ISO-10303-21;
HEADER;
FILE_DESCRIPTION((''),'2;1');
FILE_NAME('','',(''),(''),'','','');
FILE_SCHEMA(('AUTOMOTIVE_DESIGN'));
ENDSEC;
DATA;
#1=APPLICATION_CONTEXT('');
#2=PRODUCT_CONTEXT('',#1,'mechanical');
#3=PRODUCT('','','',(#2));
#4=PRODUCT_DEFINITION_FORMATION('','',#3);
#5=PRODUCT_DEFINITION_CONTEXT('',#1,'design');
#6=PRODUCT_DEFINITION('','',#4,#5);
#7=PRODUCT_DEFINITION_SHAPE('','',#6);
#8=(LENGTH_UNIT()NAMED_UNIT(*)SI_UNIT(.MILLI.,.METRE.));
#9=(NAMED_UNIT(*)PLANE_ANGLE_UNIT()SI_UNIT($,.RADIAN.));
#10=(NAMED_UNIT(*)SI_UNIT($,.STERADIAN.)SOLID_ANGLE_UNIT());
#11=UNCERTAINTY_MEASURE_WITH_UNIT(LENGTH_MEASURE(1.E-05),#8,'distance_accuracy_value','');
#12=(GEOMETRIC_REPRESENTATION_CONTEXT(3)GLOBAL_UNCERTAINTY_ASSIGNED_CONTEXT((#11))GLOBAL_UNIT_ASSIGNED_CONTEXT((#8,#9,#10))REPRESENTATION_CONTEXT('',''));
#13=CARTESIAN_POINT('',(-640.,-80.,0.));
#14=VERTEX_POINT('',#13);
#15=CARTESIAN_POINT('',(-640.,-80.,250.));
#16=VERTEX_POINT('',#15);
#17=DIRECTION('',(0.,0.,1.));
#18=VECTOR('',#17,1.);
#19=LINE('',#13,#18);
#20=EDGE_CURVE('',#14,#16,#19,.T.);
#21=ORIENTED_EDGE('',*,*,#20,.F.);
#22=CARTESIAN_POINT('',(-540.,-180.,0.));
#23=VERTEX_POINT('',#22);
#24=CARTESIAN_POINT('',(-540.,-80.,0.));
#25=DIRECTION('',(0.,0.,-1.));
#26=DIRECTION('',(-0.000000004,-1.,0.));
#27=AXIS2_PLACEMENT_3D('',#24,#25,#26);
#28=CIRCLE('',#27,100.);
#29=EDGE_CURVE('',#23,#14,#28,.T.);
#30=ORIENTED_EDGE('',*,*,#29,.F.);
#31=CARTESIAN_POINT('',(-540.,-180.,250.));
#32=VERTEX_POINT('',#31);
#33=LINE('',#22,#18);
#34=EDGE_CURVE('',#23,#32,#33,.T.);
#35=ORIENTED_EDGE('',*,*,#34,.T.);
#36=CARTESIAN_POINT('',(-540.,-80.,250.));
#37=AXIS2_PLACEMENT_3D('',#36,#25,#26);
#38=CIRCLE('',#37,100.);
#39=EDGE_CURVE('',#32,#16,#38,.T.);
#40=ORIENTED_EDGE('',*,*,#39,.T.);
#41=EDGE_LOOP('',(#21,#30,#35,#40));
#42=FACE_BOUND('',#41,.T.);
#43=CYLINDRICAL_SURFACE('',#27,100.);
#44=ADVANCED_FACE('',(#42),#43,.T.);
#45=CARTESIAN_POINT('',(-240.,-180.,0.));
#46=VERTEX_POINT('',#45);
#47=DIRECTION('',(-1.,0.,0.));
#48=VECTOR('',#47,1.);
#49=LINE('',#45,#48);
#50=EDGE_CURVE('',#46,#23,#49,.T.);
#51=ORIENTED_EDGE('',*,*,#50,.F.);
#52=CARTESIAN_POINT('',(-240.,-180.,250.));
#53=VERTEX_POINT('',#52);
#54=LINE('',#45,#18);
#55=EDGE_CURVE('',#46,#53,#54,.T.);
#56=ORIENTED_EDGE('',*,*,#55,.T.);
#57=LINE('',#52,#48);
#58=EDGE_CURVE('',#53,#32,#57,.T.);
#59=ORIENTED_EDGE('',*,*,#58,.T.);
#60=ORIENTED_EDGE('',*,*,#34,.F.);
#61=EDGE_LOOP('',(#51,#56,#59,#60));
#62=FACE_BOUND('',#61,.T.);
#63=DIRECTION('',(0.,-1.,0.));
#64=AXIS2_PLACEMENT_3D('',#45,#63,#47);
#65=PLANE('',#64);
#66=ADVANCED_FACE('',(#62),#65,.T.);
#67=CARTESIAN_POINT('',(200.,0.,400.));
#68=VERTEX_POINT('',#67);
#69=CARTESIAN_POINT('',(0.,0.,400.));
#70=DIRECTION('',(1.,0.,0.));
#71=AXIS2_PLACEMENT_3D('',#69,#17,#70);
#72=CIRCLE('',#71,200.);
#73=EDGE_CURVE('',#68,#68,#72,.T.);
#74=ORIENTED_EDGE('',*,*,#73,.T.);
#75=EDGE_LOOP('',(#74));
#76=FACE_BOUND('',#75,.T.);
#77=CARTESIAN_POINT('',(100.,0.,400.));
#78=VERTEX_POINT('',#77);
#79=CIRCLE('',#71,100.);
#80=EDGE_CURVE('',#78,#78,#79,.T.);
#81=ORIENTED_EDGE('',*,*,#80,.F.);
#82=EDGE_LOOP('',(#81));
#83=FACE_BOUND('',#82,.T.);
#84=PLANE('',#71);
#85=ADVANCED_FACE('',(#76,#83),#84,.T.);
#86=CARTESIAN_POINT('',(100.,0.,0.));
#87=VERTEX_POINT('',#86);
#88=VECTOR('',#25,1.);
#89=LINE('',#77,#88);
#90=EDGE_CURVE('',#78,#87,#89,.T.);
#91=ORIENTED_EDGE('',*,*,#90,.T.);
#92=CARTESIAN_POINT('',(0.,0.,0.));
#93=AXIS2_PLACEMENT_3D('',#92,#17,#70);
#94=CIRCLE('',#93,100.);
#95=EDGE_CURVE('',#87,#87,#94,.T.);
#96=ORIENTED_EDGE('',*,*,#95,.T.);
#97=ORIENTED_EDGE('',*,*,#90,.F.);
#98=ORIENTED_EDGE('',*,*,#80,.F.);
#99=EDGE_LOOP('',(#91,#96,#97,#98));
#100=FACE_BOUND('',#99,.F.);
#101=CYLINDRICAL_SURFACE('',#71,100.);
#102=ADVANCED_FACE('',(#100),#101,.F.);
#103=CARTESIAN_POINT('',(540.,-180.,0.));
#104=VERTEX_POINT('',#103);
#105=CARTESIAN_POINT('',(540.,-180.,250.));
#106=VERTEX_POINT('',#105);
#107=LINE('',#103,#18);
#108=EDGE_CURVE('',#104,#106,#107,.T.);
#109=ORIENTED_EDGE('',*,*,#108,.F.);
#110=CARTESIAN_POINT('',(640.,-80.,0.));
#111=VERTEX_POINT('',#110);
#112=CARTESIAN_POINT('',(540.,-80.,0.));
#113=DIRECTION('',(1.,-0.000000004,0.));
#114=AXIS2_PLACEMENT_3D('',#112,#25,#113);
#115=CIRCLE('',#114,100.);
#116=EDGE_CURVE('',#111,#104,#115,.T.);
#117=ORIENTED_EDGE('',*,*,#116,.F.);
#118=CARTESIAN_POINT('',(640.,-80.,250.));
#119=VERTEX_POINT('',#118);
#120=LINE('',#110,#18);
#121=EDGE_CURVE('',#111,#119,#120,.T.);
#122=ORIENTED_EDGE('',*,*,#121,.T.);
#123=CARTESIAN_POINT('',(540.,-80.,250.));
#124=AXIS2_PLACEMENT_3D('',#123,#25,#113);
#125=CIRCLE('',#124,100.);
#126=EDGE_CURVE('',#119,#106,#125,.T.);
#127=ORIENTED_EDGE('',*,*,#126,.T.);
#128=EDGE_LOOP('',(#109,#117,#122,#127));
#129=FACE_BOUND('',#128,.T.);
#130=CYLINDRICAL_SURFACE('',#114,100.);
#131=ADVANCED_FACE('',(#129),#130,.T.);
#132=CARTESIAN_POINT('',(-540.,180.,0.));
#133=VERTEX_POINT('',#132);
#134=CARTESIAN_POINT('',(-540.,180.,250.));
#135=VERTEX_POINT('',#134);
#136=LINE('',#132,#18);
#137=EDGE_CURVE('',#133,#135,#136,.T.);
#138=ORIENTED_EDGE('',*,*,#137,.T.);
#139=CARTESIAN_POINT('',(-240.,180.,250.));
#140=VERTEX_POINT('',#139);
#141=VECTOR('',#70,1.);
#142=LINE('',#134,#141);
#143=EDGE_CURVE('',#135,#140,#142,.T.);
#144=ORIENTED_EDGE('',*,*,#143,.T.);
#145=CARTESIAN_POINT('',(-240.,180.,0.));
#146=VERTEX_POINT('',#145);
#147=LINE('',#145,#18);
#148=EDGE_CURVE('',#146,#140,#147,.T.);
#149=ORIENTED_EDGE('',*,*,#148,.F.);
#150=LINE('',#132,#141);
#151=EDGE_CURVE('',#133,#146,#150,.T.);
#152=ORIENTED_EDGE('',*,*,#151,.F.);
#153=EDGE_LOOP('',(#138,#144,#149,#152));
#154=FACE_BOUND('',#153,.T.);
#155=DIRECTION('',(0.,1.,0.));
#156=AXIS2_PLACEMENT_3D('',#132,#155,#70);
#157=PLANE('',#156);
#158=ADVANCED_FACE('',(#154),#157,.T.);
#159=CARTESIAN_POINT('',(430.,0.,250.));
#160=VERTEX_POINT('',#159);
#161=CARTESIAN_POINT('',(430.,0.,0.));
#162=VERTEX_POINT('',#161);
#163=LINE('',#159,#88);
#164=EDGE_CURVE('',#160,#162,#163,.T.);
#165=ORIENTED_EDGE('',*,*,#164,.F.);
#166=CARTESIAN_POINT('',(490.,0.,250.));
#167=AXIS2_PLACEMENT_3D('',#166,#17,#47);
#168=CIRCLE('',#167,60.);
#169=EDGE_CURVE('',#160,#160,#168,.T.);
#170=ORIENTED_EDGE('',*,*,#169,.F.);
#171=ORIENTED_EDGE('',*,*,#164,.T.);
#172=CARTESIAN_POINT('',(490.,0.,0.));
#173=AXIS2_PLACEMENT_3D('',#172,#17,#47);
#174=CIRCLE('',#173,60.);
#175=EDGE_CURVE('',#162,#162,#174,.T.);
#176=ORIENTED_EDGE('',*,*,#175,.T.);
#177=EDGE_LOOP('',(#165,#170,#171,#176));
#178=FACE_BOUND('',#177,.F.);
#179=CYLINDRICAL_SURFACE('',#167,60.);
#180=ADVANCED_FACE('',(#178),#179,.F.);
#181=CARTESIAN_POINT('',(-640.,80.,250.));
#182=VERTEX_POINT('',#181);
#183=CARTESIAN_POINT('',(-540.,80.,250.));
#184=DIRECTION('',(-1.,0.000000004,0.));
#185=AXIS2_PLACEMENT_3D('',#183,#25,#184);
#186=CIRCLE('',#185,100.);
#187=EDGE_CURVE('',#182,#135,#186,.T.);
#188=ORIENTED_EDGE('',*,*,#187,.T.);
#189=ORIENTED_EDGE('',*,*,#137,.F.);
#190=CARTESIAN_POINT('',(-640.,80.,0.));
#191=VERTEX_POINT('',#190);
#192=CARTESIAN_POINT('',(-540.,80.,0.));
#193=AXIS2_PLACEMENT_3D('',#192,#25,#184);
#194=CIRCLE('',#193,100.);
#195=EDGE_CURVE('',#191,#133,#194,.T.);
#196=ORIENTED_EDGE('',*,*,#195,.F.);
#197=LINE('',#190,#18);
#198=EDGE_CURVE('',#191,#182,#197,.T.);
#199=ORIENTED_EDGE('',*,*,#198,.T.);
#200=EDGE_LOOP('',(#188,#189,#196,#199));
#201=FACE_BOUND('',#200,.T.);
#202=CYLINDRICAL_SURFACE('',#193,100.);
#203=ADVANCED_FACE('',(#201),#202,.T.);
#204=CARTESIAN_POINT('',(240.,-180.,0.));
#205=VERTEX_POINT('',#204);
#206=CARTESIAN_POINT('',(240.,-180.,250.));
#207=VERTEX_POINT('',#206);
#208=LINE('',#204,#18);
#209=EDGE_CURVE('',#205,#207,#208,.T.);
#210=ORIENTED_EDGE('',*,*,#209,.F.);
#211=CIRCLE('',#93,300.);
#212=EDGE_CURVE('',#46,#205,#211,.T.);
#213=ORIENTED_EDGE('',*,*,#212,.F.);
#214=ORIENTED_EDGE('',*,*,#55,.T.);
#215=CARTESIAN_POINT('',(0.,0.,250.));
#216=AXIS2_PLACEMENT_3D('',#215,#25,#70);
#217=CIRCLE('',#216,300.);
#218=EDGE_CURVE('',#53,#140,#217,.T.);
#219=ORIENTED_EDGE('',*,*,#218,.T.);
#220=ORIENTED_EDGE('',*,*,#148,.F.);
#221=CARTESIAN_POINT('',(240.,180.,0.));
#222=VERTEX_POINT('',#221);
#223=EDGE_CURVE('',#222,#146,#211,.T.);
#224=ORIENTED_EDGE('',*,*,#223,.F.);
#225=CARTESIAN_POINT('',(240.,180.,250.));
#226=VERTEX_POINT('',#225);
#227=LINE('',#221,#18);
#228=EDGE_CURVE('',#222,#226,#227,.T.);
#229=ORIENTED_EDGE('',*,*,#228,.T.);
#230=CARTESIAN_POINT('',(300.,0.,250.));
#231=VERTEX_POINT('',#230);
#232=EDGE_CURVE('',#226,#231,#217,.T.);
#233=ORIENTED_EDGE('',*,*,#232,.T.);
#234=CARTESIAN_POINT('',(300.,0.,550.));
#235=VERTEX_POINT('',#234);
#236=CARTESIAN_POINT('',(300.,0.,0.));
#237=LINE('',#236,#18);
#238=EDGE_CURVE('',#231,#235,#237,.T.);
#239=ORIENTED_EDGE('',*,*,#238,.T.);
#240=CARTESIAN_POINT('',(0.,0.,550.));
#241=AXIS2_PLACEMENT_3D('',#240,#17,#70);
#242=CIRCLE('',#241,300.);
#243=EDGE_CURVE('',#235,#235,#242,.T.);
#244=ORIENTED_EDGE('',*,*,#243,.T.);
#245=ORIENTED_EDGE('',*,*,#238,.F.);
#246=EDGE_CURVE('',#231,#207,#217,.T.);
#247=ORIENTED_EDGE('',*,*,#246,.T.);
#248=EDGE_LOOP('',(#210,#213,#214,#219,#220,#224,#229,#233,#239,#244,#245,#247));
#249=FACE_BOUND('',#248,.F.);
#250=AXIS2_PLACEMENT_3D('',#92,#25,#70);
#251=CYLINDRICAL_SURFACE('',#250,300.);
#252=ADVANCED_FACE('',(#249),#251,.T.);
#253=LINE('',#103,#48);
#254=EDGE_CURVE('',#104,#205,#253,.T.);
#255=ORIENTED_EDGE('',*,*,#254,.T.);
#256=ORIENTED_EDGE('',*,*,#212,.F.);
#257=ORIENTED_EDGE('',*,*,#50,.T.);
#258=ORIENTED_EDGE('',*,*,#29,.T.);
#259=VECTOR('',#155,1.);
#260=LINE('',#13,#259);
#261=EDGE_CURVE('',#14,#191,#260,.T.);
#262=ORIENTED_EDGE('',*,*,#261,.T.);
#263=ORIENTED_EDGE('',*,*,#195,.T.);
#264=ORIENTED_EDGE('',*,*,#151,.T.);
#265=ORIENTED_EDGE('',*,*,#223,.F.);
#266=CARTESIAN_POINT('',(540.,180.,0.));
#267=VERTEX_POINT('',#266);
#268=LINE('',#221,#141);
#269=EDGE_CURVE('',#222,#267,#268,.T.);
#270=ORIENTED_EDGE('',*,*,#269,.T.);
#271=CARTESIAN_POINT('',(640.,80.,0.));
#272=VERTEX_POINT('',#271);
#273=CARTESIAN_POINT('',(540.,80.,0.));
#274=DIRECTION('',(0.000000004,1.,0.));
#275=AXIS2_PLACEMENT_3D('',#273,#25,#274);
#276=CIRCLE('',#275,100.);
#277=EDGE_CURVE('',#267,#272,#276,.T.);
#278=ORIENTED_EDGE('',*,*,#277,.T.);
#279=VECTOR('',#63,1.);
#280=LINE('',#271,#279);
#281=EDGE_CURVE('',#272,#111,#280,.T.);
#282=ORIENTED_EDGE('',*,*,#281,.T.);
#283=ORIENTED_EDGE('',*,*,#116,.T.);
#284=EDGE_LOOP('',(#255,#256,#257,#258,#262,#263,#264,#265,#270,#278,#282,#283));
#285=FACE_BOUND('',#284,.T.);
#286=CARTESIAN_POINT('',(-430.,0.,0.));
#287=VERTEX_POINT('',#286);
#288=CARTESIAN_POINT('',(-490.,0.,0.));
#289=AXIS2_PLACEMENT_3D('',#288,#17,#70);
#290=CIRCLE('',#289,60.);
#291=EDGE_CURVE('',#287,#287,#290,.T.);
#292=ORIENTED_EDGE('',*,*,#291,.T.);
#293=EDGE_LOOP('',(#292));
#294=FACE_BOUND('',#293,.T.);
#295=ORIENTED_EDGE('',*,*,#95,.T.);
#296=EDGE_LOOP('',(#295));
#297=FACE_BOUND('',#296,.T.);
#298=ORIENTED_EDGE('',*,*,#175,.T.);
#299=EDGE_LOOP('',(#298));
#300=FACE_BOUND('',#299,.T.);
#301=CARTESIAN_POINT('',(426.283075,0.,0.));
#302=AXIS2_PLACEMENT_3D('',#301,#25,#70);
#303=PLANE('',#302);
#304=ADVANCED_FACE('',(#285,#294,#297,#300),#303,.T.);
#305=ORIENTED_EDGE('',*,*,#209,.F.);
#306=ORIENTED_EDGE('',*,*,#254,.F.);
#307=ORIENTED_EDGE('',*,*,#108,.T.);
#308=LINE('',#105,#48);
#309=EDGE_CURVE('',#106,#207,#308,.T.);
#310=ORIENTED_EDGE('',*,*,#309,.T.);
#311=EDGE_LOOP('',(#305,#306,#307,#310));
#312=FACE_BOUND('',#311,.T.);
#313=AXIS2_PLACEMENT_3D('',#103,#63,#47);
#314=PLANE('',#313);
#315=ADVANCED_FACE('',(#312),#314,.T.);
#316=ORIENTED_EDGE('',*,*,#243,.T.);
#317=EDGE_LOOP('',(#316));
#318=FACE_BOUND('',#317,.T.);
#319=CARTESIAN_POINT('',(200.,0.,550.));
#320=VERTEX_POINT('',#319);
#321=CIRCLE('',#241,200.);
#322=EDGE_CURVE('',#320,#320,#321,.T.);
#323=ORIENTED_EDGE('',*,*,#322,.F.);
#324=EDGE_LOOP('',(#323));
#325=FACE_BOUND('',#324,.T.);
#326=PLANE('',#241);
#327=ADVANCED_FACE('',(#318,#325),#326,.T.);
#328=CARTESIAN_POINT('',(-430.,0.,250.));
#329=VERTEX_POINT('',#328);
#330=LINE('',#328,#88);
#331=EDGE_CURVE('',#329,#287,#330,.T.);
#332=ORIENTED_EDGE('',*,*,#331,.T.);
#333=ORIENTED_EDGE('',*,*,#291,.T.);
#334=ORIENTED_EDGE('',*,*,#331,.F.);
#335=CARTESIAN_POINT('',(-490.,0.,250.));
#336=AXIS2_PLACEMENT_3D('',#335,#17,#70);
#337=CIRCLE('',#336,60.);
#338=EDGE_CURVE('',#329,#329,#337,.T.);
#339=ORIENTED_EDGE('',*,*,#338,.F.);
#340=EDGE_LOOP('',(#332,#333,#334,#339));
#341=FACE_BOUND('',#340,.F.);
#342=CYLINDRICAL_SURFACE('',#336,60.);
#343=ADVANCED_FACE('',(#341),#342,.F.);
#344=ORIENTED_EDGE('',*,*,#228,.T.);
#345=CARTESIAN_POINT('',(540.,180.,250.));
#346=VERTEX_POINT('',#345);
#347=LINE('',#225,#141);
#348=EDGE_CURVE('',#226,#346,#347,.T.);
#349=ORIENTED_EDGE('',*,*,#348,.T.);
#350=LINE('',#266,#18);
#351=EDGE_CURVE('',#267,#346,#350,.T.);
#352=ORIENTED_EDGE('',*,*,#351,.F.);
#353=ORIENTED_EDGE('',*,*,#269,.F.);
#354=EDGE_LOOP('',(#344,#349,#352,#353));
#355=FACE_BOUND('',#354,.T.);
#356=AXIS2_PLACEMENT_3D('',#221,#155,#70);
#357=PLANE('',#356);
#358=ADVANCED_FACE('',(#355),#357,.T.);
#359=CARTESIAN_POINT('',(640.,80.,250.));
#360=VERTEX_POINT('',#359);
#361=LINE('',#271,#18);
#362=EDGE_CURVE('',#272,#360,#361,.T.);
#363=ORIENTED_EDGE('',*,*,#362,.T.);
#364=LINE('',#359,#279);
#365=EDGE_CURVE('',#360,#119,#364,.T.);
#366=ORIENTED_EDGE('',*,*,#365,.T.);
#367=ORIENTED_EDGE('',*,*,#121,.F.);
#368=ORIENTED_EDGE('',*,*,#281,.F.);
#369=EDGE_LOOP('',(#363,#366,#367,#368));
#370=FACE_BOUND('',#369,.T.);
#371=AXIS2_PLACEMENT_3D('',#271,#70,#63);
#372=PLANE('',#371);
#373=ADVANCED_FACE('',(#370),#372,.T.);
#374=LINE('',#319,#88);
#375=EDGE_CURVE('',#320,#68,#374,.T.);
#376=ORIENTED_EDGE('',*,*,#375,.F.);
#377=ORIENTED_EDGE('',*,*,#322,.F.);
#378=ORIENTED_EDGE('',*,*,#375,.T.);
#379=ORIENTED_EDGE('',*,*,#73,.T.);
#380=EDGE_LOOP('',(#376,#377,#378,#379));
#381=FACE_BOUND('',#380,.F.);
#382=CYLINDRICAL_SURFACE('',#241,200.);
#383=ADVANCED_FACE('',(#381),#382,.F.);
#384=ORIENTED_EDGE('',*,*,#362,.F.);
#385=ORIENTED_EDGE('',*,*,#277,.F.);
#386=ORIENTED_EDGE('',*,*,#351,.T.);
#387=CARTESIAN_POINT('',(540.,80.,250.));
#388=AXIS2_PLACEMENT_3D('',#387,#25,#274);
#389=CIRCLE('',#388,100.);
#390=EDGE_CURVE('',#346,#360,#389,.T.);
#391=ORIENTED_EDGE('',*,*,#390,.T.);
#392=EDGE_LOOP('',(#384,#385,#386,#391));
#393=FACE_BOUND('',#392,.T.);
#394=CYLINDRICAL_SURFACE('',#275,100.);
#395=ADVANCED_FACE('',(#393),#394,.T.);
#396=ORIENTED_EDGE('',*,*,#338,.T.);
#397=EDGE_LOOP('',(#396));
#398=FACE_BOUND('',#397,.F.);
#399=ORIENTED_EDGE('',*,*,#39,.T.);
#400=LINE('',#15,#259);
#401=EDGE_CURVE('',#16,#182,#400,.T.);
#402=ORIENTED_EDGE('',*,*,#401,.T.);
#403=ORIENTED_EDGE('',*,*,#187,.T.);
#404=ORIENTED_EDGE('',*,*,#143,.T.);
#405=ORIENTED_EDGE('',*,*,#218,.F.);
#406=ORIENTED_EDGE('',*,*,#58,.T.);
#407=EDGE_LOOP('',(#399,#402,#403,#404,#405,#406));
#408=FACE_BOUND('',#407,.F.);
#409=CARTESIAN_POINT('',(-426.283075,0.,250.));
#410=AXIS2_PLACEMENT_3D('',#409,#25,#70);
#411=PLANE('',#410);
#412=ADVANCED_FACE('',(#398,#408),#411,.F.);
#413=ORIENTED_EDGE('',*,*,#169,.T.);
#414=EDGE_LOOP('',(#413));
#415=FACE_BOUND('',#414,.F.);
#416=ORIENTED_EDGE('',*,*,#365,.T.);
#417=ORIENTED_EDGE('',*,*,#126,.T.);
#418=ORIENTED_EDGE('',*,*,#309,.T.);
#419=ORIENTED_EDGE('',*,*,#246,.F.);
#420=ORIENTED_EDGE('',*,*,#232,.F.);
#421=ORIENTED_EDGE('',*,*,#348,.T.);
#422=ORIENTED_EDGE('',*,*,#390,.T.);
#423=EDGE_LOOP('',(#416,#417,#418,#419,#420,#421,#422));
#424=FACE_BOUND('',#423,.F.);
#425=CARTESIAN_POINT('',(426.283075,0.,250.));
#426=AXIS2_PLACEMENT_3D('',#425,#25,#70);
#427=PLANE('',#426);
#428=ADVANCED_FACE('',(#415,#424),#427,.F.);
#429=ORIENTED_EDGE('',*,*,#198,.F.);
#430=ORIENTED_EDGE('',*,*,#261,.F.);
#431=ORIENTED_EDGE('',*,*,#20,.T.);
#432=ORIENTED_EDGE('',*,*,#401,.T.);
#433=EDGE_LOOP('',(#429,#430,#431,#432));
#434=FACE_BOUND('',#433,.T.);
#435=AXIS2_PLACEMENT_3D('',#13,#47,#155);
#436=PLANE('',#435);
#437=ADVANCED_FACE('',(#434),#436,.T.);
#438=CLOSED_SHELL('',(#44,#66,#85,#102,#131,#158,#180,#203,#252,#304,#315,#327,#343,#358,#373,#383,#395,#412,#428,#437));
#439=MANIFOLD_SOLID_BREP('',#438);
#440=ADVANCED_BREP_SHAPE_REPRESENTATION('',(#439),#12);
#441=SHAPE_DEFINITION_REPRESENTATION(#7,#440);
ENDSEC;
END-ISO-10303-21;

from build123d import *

# Parameters (mm, degrees)
F1_R      = 300
F2_DEPTH  = 550
F3_R      = 200
F4_DEPTH  = 150
F5_R      = 100
F6_DEPTH  = 400.001
F8_DEPTH  = 250
F10_DEPTH = 250
F12_DEPTH = 250.001
F13_R     = 60
F14_DEPTH = 250.001


with BuildPart() as f2:
    # F1 (on Top) → F2 (new body)
    with BuildSketch(Plane.XY):
        Circle(F1_R)
    extrude(amount=F2_DEPTH)

    # F3 (on face) → F4 (cut)
    with BuildSketch(Plane.XY.offset(550)):
        Circle(F3_R)
    extrude(amount=-F4_DEPTH, mode=Mode.SUBTRACT)

    # F5 (on face) → F6 (cut, through all)
    with BuildSketch(Plane.XY.offset(400)):
        Circle(F5_R)
    extrude(amount=-F6_DEPTH, mode=Mode.SUBTRACT)

    # F7 (on face) → F8 (join)
    with BuildSketch(Plane(origin=(0, 0, 0), x_dir=(1, 0, 0), z_dir=(0, 0, -1))):
        with BuildLine():
            Line((-240, -180), (-240, 180))
            Line((-240, 180), (-540, 180))
            ThreePointArc((-540, 180), (-610.710678, 150.710678), (-640, 80))
            Line((-640, 80), (-640, -80))
            ThreePointArc((-640, -80), (-610.710678, -150.710678), (-540, -180))
            Line((-540, -180), (-240, -180))
        make_face()
    extrude(amount=-F8_DEPTH)

    # F9 (on face) → F10 (join)
    with BuildSketch(Plane(origin=(0, 0, 0), x_dir=(1, 0, 0), z_dir=(0, 0, -1))):
        with BuildLine():
            Line((540, 180), (240, 180))
            Line((240, 180), (240, -180))
            Line((240, -180), (540, -180))
            ThreePointArc((540, -180), (610.710678, -150.710678), (640, -80))
            Line((640, -80), (640, 80))
            ThreePointArc((640, 80), (610.710678, 150.710678), (540, 180))
        make_face()
    extrude(amount=-F10_DEPTH)

    # F11 (on face) → F12 (cut, through all)
    with BuildSketch(Plane.XY.offset(250)):
        with BuildLine():
            Line((430, 0), (550, 0))
            ThreePointArc((550, 0), (490, 60), (430, 0))
        make_face()
        with BuildLine():
            ThreePointArc((430, 0), (490, -60), (550, 0))
            Line((550, 0), (430, 0))
        make_face()
    extrude(amount=-F12_DEPTH, mode=Mode.SUBTRACT)

    # F13 (on face) → F14 (cut, through all)
    with BuildSketch(Plane.XY.offset(250)):
        with Locations((-490, 0)):
            Circle(F13_R)
    extrude(amount=-F14_DEPTH, mode=Mode.SUBTRACT)


solid = f2.part
